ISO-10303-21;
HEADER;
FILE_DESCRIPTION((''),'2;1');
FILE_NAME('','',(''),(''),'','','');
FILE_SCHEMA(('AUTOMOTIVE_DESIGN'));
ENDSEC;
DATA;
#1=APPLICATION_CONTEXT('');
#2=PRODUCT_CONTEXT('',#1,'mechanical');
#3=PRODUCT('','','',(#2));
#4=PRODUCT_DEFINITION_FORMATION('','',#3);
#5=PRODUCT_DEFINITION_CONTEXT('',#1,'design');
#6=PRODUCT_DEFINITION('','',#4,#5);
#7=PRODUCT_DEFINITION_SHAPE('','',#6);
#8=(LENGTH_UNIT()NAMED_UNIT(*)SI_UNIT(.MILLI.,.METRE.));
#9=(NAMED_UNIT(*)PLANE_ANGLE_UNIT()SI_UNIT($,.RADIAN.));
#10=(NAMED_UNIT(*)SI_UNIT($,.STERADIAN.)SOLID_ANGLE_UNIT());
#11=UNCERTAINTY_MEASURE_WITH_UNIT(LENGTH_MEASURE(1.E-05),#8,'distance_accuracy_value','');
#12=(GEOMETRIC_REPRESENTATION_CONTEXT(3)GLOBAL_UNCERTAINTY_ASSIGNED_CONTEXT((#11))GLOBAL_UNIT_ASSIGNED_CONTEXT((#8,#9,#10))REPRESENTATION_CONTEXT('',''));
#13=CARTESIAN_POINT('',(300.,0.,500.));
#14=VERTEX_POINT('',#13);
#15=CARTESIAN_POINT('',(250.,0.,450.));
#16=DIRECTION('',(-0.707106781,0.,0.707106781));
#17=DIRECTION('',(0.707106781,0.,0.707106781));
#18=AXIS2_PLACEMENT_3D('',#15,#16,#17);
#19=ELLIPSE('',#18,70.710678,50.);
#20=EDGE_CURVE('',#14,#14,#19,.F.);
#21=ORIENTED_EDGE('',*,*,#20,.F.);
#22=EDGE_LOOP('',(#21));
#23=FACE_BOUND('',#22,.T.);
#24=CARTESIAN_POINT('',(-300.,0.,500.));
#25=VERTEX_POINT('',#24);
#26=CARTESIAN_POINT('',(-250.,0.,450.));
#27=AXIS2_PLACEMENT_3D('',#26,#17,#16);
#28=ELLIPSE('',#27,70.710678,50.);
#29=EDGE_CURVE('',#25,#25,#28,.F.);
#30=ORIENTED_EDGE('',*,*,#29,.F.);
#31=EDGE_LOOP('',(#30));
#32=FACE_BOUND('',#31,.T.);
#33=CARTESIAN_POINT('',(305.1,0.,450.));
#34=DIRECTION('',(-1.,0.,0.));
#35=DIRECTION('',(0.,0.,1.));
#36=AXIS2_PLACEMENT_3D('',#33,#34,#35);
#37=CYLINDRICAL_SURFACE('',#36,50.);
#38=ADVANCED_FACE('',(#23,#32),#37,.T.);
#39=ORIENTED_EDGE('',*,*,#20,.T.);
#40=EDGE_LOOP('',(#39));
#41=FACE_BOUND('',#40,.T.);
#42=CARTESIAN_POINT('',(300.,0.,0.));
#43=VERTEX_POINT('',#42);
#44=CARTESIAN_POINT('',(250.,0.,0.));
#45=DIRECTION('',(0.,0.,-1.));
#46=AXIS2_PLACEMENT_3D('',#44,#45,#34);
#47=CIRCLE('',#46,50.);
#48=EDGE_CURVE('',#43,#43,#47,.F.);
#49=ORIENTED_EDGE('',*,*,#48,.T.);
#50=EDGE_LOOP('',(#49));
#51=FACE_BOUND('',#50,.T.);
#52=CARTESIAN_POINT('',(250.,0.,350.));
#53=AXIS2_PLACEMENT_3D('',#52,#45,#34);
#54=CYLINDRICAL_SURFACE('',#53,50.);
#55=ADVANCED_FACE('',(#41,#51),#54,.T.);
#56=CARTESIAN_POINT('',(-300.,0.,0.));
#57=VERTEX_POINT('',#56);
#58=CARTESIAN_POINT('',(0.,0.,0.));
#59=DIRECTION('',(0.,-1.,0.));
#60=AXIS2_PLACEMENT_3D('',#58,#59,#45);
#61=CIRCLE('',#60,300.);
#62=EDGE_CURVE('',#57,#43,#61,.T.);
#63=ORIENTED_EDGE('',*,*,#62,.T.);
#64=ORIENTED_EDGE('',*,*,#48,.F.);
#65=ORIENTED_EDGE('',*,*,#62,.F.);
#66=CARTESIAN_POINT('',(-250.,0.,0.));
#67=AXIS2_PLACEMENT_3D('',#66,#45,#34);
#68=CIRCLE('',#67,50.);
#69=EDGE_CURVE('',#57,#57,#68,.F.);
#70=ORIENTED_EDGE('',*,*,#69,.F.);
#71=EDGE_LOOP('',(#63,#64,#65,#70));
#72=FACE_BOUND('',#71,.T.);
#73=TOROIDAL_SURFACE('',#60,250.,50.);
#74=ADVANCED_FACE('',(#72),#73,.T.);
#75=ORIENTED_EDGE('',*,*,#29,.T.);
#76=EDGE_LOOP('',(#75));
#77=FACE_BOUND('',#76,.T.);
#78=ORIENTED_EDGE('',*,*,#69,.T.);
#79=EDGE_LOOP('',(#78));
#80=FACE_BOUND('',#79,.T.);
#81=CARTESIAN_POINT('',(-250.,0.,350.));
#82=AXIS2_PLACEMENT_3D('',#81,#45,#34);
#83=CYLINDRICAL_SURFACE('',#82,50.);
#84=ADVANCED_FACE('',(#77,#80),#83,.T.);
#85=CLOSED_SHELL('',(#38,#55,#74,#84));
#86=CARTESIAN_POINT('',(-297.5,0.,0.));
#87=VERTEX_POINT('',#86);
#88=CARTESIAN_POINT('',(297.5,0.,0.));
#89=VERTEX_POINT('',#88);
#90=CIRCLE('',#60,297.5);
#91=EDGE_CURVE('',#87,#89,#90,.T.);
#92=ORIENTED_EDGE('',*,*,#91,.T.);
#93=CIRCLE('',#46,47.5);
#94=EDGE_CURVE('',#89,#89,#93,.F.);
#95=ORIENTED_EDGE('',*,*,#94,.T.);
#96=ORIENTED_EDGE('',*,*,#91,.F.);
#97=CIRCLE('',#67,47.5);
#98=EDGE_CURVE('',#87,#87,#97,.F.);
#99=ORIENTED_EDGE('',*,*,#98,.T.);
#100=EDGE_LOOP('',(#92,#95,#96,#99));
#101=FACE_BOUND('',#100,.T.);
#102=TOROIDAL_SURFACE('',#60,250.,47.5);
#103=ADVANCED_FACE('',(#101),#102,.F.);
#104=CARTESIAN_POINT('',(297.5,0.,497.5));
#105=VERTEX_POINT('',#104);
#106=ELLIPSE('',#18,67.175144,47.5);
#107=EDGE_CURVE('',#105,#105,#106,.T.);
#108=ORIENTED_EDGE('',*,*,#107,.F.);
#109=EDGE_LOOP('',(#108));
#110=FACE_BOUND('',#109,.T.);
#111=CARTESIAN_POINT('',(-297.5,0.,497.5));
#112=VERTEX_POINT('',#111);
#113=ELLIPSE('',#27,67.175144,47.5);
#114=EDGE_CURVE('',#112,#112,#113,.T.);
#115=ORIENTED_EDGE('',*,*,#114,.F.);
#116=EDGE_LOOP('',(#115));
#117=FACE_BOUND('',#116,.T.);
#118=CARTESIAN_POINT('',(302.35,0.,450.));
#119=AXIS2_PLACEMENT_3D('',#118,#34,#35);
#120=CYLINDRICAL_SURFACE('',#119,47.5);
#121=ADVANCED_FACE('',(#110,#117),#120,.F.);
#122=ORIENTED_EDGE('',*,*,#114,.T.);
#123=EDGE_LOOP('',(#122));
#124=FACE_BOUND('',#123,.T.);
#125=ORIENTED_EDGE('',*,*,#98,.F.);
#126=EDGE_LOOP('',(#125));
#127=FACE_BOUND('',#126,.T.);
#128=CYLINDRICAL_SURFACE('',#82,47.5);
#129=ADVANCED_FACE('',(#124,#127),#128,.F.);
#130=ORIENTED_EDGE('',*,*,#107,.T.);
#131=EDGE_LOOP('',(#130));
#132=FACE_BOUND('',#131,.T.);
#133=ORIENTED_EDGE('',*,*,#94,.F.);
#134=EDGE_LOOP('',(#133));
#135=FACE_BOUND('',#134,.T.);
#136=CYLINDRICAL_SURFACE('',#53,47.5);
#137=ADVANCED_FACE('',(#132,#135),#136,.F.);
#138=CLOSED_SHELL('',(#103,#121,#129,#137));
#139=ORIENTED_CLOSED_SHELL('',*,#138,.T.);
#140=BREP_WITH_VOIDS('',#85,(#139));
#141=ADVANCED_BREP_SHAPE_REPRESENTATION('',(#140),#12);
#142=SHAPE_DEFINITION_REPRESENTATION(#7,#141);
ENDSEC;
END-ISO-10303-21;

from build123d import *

# Parameters (mm, degrees)
SKETCH_1_R          = 50
SKETCH_1_R_2        = 47.5
CUT_EXTRUDE_1_DEPTH = 150
SKETCH_3_R          = 50
SKETCH_3_R_2        = 47.5
EXTRUDE_1_DEPTH     = 350
SKETCH_5_R          = 50
SKETCH_5_R_2        = 47.5


with BuildPart() as part:
    # 草图1 → 旋转1 (revolve)
    with BuildSketch(Plane.XY, mode=Mode.PRIVATE) as revolve_1_sk:
        with Locations((250, 0)):
            Circle(SKETCH_1_R)
        with Locations((250, 0)):
            Circle(SKETCH_1_R_2, mode=Mode.SUBTRACT)
    revolve(revolve_1_sk.sketch.rotate(Axis((0, 0, 0), (0, 1, 0)), 90), axis=Axis((0, 0, 0), (0, 1, 0)))

    # 草图2 → 切除-拉伸1 (cut, symmetric)
    with BuildSketch(Plane(origin=(0, 0, 0), x_dir=(1, 0, 0), z_dir=(0, 1, 0))):
        Polygon((-384.261644324, 0), (443.109902211, 0), (321.917450325, -325.996042455), (-266.565128549, -318.421514212), align=None)
    extrude(amount=CUT_EXTRUDE_1_DEPTH, both=True, mode=Mode.SUBTRACT)

    # 草图3 → 凸台-拉伸1 (add)
    with BuildSketch(Plane.XY):
        with Locations((250, 0)):
            Circle(SKETCH_3_R)
        with Locations((250, 0)):
            Circle(SKETCH_3_R_2, mode=Mode.SUBTRACT)
    extrude_1 = extrude(amount=EXTRUDE_1_DEPTH)

    # 镜向1: 凸台-拉伸1 across plane
    add(extrude_1.mirror(Plane(origin=(0, 0, 0), x_dir=(0, 0, 1), z_dir=(1, 0, 0))))

    # 扫描1: sweep along a path in 草图4
    with BuildLine(Plane(origin=(0, 0, 0), x_dir=(1, 0, 0), z_dir=(0, 1, 0))) as sweep_1_path:
        Line((250, -350), (250, -450))
        Line((250, -450), (0, -450))
    # 草图5 → 扫描1 (sweep)
    with BuildSketch(Plane.XY.offset(350)):
        with Locations((250, 0)):
            Circle(SKETCH_5_R)
        with Locations((250, 0)):
            Circle(SKETCH_5_R_2, mode=Mode.SUBTRACT)
    sweep_1 = sweep(path=sweep_1_path.line, transition=Transition.RIGHT)

    # 镜向2: 扫描1 across plane
    add(sweep_1.mirror(Plane(origin=(0, 0, 0), x_dir=(0, 0, 1), z_dir=(1, 0, 0))))


solid = part.part
